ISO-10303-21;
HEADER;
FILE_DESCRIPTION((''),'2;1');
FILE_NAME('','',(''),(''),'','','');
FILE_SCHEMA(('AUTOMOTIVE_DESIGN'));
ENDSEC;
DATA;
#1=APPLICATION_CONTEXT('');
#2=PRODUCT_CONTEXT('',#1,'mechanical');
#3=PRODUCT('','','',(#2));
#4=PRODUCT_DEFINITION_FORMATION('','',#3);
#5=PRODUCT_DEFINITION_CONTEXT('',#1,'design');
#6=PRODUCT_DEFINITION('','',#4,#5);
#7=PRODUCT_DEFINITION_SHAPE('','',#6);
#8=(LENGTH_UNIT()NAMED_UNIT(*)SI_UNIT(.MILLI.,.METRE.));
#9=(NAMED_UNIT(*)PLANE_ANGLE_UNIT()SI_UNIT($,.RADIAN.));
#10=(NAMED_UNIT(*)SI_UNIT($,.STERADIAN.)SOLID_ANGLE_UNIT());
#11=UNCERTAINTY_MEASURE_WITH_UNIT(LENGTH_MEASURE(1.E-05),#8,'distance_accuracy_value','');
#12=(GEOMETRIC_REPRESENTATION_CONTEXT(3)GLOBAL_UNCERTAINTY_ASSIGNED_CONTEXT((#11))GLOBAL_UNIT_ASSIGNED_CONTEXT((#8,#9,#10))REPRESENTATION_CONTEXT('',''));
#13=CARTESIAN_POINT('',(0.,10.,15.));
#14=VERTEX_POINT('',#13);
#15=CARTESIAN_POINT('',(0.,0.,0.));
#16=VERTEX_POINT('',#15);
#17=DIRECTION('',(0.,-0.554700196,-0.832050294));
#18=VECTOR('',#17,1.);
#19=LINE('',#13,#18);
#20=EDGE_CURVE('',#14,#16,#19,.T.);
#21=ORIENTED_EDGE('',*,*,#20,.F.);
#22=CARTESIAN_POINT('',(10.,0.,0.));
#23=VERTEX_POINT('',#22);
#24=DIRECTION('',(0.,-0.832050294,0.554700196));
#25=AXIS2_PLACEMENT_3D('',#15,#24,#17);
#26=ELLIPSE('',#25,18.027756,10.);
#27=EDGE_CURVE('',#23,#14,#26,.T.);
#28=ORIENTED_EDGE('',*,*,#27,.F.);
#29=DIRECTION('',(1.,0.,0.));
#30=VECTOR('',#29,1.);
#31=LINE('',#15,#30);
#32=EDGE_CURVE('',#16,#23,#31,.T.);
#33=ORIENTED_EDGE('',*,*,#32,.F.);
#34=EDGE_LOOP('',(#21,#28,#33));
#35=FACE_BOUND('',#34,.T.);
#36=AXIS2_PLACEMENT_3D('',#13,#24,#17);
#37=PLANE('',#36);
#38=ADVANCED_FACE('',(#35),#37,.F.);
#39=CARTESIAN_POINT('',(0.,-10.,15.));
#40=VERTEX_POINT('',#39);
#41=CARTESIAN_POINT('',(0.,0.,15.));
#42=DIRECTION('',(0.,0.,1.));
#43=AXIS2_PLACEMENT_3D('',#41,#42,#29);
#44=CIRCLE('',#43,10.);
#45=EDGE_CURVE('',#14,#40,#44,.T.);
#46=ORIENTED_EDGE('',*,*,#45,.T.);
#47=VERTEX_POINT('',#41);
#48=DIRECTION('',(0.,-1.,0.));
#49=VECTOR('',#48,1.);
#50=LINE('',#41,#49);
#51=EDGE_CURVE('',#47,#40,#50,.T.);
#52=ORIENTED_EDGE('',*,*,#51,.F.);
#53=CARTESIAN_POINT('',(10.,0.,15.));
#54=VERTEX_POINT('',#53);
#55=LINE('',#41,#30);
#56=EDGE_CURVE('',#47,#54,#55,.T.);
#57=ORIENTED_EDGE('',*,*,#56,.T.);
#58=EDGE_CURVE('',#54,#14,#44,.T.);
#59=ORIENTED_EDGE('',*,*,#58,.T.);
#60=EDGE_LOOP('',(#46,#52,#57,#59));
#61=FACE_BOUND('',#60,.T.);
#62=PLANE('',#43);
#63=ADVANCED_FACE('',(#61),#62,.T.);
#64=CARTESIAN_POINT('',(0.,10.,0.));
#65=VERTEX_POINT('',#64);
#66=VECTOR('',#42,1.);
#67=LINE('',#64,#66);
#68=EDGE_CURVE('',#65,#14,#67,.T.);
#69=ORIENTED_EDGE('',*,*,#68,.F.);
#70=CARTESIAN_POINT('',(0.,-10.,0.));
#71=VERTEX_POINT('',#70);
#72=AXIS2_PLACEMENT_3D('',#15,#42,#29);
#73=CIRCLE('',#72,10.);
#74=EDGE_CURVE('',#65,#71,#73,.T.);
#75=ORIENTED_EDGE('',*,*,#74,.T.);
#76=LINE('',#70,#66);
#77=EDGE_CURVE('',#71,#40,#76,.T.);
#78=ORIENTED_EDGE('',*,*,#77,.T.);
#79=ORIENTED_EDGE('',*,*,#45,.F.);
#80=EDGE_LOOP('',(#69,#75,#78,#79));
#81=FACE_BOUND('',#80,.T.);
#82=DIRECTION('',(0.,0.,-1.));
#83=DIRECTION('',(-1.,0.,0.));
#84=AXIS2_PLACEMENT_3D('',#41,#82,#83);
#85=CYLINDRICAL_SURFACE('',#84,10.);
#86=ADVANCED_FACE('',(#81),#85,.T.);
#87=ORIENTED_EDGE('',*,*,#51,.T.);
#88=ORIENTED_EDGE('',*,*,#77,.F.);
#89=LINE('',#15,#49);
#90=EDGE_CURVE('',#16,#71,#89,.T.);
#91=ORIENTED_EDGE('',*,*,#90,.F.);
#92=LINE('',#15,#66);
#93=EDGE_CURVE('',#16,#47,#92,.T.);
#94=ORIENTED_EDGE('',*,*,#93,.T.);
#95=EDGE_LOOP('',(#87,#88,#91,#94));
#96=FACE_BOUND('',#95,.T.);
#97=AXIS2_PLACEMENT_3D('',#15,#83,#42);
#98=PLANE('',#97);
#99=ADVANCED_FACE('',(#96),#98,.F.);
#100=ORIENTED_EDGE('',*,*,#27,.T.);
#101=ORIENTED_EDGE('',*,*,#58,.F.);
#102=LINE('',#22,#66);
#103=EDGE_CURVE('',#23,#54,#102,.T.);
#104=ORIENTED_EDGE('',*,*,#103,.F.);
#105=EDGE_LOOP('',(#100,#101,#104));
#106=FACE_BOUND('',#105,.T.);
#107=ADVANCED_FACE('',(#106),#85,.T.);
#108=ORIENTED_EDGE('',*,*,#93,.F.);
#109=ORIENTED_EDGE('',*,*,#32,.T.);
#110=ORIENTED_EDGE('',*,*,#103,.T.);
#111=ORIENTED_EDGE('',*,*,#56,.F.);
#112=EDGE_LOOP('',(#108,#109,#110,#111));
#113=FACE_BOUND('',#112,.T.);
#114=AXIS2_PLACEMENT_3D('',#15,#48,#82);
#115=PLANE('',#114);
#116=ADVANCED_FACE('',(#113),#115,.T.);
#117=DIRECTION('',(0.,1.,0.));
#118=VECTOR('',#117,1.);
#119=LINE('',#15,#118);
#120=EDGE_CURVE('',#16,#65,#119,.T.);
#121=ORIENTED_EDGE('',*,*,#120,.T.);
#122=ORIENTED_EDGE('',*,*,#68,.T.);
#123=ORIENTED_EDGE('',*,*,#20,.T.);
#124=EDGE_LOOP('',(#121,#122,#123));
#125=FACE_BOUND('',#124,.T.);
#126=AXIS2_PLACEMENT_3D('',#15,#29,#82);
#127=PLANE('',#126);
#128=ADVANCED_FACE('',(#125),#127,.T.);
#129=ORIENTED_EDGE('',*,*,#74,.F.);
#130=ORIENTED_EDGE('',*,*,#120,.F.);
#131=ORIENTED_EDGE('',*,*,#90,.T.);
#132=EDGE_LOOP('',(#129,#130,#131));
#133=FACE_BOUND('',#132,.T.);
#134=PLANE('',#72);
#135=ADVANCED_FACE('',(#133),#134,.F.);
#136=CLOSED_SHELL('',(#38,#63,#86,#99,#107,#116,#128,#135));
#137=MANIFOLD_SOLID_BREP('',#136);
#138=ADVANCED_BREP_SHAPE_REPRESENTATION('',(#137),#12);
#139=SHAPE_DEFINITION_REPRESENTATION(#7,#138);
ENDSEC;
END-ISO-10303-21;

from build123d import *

# Parameters (mm, degrees)
SKETCH1_R           = 10
BOSS_EXTRUDE1_DEPTH = 15
CUT_EXTRUDE1_DEPTH  = 16
CUT_EXTRUDE2_DEPTH  = 10


with BuildPart() as part:
    # Sketch1 → Boss-Extrude1 (new body)
    with BuildSketch(Plane.XY):
        Circle(SKETCH1_R)
    extrude(amount=BOSS_EXTRUDE1_DEPTH)

    # Sketch2 → Cut-Extrude1 (cut, through all)
    with BuildSketch(Plane.XY.offset(15)):
        with BuildLine():
            Line((0, 0), (10, 0))
            ThreePointArc((10, 0), (7.071067812, -7.071067812), (0, -10))
            Line((0, -10), (0, 0))
        make_face()
    extrude(amount=-CUT_EXTRUDE1_DEPTH, mode=Mode.SUBTRACT)

    # Sketch5 → Cut-Extrude2 (cut)
    with BuildSketch(Plane(origin=(10, 0, 0), x_dir=(0, 0, -1), z_dir=(1, 0, 0))):
        Polygon((0, 0), (0, 10), (-15, 10), align=None)
    extrude(amount=-CUT_EXTRUDE2_DEPTH, mode=Mode.SUBTRACT)


solid = part.part
